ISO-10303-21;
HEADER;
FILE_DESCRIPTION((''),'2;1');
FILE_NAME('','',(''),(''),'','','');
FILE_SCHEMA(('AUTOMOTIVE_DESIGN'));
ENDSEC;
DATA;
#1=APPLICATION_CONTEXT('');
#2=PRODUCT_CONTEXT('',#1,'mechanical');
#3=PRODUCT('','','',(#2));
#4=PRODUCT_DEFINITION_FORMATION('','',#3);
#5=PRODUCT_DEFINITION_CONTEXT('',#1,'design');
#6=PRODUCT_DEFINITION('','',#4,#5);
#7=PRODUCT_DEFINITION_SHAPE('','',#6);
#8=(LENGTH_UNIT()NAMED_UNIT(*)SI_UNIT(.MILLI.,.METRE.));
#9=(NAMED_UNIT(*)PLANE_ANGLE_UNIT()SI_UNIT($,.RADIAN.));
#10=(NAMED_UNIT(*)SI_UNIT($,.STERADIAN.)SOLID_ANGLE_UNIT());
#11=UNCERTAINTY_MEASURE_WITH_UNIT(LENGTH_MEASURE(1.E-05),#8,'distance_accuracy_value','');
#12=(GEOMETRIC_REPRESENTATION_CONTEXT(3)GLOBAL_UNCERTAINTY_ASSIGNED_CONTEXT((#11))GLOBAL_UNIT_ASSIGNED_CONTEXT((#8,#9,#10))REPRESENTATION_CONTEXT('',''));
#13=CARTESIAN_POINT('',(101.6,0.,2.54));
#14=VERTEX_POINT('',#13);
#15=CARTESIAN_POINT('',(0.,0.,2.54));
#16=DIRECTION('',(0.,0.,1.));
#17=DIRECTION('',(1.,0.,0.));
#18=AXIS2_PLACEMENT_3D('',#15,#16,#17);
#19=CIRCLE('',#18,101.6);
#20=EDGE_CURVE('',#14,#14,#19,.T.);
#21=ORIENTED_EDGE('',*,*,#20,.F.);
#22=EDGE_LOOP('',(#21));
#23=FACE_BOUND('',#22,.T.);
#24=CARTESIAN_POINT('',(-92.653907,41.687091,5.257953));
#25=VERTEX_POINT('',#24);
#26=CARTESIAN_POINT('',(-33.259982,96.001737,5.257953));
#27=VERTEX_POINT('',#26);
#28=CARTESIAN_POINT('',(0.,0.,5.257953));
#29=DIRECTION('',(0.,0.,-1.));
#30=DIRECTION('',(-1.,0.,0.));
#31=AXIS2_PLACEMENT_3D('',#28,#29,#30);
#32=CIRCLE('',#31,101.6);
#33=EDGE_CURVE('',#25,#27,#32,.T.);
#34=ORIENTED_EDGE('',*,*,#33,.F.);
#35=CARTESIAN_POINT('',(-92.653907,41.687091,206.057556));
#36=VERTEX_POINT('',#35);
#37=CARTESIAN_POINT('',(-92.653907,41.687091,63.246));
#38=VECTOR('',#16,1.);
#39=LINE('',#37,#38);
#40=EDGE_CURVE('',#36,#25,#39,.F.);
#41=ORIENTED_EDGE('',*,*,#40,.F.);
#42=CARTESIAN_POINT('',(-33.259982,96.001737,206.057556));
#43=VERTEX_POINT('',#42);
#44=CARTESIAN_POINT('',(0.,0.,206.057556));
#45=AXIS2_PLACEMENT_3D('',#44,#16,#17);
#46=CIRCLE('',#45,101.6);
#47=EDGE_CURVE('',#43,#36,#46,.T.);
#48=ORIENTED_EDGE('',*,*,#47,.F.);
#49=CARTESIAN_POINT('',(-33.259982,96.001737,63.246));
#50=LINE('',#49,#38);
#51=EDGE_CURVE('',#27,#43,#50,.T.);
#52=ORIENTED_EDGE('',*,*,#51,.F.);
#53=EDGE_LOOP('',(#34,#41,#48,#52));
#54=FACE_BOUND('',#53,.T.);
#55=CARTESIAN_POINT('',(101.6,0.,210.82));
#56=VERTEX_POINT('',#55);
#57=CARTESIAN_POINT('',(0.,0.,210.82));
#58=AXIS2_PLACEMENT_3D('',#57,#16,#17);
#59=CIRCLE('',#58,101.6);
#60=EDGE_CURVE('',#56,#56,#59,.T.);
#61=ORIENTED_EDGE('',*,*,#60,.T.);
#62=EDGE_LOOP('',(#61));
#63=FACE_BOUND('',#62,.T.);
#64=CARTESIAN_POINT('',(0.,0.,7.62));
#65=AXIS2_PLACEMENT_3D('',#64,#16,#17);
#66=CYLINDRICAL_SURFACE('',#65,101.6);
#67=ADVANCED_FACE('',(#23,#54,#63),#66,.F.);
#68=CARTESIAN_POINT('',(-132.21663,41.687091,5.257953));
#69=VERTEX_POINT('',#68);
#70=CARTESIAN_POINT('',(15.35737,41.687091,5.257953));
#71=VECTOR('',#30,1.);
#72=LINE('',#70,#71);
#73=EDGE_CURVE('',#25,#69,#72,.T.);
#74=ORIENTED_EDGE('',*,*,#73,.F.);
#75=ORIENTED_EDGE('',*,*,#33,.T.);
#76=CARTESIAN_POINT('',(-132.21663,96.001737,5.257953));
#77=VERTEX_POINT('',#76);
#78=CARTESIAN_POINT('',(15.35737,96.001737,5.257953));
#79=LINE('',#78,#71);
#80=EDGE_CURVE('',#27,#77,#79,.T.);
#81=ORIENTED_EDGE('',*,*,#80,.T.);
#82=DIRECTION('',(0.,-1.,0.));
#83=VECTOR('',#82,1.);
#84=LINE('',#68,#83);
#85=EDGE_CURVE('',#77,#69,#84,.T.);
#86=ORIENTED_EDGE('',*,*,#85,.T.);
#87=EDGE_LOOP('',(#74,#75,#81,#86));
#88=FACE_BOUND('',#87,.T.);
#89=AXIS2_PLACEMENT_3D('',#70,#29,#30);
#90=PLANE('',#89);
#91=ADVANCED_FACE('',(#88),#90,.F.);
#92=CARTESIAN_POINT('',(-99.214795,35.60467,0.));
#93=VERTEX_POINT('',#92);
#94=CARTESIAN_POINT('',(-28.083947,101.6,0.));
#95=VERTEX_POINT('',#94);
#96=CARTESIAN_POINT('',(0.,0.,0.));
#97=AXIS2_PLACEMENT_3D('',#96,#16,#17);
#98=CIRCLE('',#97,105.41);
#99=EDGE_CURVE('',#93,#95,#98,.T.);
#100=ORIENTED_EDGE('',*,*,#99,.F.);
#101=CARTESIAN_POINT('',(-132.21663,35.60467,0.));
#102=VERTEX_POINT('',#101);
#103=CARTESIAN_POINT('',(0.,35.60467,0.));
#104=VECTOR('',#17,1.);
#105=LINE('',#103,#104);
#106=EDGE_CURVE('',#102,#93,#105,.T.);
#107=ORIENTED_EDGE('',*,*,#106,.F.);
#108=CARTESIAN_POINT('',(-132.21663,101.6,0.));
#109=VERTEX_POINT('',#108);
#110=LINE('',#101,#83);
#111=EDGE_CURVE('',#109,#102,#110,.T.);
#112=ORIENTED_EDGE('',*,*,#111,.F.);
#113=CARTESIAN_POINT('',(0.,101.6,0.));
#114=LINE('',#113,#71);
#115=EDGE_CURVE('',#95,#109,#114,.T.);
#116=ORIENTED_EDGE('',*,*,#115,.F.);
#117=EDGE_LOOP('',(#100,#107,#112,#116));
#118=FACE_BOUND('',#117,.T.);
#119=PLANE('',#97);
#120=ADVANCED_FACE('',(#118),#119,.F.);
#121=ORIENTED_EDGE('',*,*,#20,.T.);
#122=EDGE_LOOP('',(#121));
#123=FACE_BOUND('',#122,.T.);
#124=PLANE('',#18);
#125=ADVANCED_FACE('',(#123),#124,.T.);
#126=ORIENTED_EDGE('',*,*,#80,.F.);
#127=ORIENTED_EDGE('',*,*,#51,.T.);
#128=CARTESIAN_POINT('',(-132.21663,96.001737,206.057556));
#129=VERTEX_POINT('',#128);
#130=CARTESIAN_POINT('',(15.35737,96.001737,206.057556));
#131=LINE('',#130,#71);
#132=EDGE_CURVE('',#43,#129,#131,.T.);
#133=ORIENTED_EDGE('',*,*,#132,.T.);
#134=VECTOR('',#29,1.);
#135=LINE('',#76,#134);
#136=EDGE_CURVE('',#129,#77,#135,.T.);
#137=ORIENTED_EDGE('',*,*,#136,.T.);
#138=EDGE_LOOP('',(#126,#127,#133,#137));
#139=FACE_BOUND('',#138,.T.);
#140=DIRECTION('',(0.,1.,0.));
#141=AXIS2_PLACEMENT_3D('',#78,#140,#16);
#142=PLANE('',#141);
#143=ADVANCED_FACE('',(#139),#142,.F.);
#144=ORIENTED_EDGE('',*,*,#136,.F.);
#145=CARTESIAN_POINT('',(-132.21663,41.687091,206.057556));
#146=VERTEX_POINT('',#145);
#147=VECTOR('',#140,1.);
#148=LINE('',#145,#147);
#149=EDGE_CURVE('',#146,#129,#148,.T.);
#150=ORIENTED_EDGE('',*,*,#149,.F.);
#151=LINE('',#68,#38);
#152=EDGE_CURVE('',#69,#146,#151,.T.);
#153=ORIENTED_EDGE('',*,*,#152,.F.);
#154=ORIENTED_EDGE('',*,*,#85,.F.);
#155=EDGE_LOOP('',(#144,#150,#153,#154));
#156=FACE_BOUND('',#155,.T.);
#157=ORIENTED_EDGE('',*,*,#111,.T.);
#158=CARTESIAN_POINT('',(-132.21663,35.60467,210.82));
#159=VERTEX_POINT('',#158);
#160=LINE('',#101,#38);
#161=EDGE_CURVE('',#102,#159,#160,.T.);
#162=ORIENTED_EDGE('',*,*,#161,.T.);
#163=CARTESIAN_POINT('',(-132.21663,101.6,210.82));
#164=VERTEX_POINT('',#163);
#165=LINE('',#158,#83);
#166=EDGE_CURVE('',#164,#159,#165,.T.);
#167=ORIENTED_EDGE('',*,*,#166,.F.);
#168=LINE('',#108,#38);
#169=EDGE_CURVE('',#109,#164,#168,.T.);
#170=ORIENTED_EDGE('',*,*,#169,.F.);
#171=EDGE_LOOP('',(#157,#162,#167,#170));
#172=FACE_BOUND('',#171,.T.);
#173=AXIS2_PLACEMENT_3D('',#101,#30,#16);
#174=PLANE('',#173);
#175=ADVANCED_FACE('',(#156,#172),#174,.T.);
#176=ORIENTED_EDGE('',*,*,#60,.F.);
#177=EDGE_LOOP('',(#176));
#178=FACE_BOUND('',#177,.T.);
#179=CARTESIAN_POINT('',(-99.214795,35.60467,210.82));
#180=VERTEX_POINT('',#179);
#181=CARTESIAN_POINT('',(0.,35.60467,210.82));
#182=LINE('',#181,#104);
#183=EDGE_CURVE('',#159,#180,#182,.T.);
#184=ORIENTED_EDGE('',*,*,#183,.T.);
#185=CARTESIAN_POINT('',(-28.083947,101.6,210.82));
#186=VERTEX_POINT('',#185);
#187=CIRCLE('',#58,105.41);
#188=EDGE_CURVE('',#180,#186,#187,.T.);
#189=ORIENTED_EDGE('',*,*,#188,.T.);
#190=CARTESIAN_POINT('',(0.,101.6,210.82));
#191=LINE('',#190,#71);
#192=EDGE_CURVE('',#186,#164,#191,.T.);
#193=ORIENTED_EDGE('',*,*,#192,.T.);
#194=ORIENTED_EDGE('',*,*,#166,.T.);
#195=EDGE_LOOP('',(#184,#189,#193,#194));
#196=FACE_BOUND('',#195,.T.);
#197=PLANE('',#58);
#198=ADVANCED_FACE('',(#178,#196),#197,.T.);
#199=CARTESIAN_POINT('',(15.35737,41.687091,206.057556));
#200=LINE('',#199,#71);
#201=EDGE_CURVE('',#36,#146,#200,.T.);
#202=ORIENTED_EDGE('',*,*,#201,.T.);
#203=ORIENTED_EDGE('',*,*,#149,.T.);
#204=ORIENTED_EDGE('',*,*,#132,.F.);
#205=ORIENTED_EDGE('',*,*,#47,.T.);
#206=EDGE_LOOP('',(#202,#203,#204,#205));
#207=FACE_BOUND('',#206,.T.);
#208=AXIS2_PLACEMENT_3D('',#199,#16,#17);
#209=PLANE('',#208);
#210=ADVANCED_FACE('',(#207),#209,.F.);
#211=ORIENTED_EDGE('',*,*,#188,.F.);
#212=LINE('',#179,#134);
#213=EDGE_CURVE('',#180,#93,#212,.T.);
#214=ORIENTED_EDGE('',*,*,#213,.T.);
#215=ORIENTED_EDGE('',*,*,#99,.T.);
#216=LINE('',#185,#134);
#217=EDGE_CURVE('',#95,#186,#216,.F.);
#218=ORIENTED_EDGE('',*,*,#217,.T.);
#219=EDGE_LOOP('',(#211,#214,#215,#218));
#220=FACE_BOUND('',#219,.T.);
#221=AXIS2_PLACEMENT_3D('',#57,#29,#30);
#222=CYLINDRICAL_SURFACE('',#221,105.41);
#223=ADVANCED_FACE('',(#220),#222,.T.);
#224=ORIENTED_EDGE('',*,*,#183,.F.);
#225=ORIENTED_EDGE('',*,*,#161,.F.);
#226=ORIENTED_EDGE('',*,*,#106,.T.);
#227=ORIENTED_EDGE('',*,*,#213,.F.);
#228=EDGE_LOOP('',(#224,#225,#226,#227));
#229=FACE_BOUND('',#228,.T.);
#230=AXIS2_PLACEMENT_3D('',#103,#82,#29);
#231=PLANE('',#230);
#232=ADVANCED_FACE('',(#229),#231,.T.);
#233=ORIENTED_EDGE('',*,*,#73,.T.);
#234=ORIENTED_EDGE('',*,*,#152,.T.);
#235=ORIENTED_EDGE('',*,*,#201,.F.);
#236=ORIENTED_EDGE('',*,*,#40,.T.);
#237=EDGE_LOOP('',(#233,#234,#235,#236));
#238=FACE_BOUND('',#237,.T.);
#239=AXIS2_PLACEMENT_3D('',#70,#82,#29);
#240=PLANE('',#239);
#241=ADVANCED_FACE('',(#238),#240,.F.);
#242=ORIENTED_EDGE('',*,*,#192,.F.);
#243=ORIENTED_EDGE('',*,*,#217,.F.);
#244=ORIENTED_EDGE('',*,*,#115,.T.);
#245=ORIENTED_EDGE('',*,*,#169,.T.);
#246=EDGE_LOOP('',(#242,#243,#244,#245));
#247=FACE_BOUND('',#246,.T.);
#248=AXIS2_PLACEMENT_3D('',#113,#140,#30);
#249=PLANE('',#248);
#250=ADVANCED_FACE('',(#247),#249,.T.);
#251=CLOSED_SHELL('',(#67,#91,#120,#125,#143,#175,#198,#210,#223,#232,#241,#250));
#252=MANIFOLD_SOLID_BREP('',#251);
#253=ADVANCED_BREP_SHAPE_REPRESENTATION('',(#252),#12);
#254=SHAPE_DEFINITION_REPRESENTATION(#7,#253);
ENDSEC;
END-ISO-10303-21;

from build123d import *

# Parameters (mm, degrees)
SKETCH1_R                = 105.41
BOSS_EXTRUDE1_DEPTH      = 210.82
SKETCH2_R                = 101.6
CUT_EXTRUDE1_DEPTH       = 203.2
BOSS_EXTRUDE2_DEPTH      = 203.2
BOSS_EXTRUDE2_DEPTH_BACK = 7.62
SKETCH3_W                = 132.216629509
SKETCH3_H                = 65.995330398
SKETCH4_W                = 200.799602593
SKETCH4_H                = 54.314646603
CUT_EXTRUDE2_DEPTH       = 147.574
SKETCH5_R                = 101.6
CUT_EXTRUDE3_DEPTH       = 147.574
SKETCH6_R                = 101.6
CUT_EXTRUDE4_DEPTH       = 60.706


with BuildPart() as part:
    # Sketch1 → Boss-Extrude1 (new body)
    with BuildSketch(Plane.XY):
        Circle(SKETCH1_R)
    extrude(amount=BOSS_EXTRUDE1_DEPTH)

    # Sketch2 → Cut-Extrude1 (cut)
    with BuildSketch(Plane.XY.offset(210.82)):
        Circle(SKETCH2_R)
    extrude(amount=-CUT_EXTRUDE1_DEPTH, mode=Mode.SUBTRACT)

    # Sketch3 → Boss-Extrude2 (add, two sides: drawn at the far end of the back side and taken through both)
    with BuildSketch(Plane.XY.offset(7.62).offset(-BOSS_EXTRUDE2_DEPTH_BACK)):
        with Locations((-66.108314755, 68.602334801)):
            Rectangle(SKETCH3_W, SKETCH3_H)
    extrude(amount=BOSS_EXTRUDE2_DEPTH + BOSS_EXTRUDE2_DEPTH_BACK)

    # Sketch4 → Cut-Extrude2 (cut)
    with BuildSketch(Plane.ZY.offset(132.216629509)):
        with Locations((105.657754662, 68.844414065)):
            Rectangle(SKETCH4_W, SKETCH4_H)
    extrude(amount=-CUT_EXTRUDE2_DEPTH, mode=Mode.SUBTRACT)

    # Sketch5 → Cut-Extrude3 (cut)
    with BuildSketch(Plane.XY.offset(210.82)):
        Circle(SKETCH5_R)
    extrude(amount=-CUT_EXTRUDE3_DEPTH, mode=Mode.SUBTRACT)

    # Sketch6 → Cut-Extrude4 (cut)
    with BuildSketch(Plane.XY.offset(63.246)):
        Circle(SKETCH6_R)
    extrude(amount=-CUT_EXTRUDE4_DEPTH, mode=Mode.SUBTRACT)


solid = part.part
